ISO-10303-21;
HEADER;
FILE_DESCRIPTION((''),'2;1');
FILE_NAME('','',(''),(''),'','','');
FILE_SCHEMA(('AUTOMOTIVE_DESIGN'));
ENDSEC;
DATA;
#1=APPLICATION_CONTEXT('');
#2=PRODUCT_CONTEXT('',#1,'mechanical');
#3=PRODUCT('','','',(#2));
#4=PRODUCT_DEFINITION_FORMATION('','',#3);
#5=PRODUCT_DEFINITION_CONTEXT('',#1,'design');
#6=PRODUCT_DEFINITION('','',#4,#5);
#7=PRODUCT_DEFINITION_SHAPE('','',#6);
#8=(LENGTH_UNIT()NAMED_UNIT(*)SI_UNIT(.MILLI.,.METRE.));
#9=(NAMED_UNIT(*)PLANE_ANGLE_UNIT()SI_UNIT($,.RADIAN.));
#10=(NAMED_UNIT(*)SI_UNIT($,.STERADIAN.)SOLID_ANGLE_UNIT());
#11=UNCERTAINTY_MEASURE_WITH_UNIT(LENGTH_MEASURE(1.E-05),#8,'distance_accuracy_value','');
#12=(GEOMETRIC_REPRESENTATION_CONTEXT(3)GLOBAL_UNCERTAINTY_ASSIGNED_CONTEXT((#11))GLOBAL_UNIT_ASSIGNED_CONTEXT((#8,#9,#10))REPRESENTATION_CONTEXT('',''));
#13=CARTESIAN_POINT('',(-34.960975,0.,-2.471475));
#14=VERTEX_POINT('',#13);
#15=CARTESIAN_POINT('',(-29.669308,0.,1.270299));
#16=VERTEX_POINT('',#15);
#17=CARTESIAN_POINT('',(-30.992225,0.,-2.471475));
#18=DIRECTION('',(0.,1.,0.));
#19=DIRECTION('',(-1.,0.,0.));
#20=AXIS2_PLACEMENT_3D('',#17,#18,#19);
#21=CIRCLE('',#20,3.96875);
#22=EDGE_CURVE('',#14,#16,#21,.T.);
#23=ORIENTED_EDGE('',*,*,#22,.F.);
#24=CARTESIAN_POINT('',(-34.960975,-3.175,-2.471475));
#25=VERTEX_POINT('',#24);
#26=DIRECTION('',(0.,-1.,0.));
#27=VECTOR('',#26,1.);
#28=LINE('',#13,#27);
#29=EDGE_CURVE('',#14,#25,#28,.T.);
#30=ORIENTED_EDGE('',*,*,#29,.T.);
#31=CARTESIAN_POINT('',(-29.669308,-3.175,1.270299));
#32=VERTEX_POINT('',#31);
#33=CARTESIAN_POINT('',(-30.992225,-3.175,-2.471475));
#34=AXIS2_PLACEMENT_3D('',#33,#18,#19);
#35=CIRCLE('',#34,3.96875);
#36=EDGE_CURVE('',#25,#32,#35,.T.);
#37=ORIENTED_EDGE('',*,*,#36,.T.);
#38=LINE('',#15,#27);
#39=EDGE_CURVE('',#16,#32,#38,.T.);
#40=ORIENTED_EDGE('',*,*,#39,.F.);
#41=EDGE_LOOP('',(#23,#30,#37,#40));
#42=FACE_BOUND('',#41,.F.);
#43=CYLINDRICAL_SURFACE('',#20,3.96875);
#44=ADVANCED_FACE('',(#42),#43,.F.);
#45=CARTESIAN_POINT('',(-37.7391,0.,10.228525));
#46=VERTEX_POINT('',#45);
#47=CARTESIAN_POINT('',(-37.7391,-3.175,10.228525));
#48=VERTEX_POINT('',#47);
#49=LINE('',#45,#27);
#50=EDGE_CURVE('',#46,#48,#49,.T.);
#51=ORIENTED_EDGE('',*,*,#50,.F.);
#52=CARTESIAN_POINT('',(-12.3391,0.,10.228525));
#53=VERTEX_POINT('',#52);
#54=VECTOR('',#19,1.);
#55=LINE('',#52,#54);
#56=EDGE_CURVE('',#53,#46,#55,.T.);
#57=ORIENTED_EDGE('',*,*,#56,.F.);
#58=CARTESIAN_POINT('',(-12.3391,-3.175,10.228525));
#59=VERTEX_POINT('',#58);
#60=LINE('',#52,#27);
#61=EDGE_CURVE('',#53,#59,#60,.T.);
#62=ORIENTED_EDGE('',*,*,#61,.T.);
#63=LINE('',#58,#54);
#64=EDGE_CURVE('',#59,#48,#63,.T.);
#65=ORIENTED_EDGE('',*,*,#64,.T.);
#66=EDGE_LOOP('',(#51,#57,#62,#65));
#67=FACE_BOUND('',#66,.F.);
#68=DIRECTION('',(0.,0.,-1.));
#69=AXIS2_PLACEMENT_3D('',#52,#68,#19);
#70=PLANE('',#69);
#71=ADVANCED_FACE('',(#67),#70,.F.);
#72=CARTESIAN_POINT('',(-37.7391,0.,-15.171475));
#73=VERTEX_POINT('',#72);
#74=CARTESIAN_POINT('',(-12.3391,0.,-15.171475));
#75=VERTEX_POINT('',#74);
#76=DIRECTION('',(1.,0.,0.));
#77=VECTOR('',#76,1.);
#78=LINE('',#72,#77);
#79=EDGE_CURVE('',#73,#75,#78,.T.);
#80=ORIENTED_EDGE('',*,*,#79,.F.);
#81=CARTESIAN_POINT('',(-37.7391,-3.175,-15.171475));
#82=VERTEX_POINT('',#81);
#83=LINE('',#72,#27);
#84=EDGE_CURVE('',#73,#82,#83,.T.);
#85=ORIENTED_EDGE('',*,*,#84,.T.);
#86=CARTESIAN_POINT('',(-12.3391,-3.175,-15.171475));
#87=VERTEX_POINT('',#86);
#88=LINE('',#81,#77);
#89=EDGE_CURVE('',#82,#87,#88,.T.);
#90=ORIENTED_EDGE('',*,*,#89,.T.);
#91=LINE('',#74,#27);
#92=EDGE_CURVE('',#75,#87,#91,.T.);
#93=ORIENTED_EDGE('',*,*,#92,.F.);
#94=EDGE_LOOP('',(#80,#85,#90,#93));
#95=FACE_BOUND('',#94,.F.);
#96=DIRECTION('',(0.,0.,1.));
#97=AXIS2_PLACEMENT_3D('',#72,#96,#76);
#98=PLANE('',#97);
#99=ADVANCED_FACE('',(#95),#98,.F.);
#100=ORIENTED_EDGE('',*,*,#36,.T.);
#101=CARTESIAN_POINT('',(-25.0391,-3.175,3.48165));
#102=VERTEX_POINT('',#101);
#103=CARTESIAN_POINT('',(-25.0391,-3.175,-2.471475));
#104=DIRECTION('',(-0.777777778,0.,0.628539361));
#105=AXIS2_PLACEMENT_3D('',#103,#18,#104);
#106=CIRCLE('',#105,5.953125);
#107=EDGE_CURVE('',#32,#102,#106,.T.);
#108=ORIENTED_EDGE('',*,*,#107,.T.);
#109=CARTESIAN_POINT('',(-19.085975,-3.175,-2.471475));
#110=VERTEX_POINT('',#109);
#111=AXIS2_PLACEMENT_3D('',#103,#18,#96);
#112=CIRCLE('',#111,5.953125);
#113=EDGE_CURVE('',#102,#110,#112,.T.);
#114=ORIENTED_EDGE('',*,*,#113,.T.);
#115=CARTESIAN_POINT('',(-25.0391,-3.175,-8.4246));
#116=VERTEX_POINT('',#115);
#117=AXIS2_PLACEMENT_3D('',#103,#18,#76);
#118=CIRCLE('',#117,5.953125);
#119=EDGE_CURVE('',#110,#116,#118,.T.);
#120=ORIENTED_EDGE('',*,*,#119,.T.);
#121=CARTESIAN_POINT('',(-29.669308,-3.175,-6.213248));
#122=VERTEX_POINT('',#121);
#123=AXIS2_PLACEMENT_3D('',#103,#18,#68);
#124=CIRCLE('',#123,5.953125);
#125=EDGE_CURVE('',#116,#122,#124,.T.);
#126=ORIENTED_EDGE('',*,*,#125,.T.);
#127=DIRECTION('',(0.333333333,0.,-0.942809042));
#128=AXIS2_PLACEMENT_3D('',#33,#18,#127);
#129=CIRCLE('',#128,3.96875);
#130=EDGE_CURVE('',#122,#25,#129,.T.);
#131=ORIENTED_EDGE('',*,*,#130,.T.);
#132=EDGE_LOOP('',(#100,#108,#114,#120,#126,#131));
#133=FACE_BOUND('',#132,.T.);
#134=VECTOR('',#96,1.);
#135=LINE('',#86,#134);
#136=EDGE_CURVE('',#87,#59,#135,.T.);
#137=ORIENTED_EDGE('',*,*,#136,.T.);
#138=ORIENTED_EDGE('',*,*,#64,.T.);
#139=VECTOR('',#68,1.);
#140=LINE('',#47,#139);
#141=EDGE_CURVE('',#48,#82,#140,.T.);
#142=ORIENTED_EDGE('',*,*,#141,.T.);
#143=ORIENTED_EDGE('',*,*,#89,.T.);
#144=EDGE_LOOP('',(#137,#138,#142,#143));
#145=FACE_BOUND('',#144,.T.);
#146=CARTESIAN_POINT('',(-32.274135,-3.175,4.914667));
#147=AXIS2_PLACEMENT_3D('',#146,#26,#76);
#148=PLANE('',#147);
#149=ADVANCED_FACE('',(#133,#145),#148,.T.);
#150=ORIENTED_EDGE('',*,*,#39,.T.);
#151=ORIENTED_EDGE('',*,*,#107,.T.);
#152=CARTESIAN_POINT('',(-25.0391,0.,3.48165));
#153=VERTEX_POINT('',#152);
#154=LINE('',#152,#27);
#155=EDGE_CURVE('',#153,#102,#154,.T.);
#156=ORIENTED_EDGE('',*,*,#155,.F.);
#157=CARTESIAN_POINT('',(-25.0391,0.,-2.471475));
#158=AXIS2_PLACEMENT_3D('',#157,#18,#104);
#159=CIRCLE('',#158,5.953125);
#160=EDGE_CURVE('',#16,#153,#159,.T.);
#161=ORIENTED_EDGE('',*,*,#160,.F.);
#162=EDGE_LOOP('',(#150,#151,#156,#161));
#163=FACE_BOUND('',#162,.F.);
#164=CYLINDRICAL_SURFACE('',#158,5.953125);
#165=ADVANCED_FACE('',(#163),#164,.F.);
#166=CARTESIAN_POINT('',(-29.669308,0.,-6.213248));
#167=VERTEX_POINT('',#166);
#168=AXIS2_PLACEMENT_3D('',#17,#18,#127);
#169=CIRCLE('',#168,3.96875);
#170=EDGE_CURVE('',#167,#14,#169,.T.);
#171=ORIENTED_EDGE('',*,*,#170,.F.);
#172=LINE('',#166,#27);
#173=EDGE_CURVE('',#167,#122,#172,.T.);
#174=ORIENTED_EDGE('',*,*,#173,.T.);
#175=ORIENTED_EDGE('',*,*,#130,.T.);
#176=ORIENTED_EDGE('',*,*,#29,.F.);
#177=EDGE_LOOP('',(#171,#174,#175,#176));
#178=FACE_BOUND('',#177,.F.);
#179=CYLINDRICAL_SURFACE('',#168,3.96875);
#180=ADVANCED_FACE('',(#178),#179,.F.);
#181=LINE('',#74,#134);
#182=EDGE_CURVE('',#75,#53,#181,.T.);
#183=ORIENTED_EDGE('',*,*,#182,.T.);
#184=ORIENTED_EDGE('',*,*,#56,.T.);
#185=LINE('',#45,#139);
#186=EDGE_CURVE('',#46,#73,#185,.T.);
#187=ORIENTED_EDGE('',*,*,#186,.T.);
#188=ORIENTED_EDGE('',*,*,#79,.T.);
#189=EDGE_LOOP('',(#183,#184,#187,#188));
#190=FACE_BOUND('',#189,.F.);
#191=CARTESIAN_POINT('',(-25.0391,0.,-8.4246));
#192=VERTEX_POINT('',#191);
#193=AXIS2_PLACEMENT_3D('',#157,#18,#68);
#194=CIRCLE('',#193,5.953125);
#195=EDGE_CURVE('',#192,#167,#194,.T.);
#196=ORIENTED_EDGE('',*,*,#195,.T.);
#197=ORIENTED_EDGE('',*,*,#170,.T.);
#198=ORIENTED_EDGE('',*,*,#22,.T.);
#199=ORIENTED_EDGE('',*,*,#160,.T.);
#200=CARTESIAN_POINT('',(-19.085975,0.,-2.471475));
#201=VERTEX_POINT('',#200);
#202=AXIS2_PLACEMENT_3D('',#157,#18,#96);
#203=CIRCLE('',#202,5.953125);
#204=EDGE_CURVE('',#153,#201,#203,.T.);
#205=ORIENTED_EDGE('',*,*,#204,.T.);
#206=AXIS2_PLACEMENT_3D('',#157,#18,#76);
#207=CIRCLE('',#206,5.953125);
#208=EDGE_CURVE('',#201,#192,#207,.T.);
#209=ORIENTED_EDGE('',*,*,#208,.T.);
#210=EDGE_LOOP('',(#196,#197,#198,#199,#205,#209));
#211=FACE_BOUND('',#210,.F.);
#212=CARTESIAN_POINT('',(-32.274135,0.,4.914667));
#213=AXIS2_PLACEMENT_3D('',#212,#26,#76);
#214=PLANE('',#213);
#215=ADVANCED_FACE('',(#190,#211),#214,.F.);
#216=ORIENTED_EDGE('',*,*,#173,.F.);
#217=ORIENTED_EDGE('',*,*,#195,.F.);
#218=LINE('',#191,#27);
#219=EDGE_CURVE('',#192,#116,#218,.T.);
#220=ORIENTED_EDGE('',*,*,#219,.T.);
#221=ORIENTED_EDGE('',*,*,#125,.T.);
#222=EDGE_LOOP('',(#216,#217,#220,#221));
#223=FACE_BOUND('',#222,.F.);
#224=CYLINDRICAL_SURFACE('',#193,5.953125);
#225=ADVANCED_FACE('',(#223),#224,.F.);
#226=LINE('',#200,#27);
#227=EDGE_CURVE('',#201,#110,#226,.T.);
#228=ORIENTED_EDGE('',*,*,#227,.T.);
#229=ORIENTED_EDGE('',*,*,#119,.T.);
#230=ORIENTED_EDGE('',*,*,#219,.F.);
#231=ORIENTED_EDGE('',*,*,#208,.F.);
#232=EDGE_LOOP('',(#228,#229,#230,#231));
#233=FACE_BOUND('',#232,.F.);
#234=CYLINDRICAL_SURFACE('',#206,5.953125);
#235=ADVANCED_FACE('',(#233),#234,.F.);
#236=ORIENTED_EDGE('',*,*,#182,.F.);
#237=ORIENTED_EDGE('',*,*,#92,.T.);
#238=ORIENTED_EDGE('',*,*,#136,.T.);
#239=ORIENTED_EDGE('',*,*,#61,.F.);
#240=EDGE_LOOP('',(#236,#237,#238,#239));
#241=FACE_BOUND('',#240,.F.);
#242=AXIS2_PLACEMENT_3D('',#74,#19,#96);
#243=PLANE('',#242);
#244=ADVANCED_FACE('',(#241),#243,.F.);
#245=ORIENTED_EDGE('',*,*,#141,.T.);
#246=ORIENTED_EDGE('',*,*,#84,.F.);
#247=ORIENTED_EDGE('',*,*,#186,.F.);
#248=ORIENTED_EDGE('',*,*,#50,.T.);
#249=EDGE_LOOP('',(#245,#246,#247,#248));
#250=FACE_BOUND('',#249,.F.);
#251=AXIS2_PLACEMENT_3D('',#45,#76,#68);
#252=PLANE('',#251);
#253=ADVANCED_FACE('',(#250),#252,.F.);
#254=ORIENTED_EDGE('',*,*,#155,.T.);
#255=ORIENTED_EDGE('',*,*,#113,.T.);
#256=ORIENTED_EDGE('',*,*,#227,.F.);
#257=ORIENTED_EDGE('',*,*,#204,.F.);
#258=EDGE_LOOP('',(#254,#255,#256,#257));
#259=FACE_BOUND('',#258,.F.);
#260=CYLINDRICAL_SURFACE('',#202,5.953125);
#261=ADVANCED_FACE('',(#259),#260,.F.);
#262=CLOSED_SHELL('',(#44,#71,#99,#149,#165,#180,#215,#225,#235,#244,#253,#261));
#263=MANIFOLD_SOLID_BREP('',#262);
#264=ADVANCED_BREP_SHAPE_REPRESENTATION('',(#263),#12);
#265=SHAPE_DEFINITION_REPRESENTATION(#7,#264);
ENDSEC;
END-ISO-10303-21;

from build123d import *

# Parameters (mm, degrees)
F1_DEPTH = 3.175


with BuildPart() as f1:
    # F0 (on Front) → F1 (new body)
    with BuildSketch(Plane.XZ):
        with BuildLine():
            Line((-25.0390999136, 10.2285252111), (-37.7390999136, 10.2285252111))
            Line((-37.7390999136, 10.2285252111), (-37.7390999136, -2.4714747889))
            Line((-37.7390999136, -2.4714747889), (-34.9609749136, -2.4714747889))
            ThreePointArc((-34.9609749136, -2.4714747889), (-33.2835837944, 0.7689960166), (-29.6693082469, 1.2702985949))
            ThreePointArc((-29.6693082469, 1.2702985949), (-27.6046848946, 2.90044023), (-25.0390999136, 3.4816502111))
            Line((-25.0390999136, 3.4816502111), (-25.0390999136, 10.2285252111))
        make_face()
        with BuildLine():
            Line((-12.3390999136, 10.2285252111), (-25.0390999136, 10.2285252111))
            Line((-25.0390999136, 10.2285252111), (-25.0390999136, 3.4816502111))
            ThreePointArc((-25.0390999136, 3.4816502111), (-20.8296048568, 1.7380202678), (-19.0859749136, -2.4714747889))
            Line((-19.0859749136, -2.4714747889), (-12.3390999136, -2.4714747889))
            Line((-12.3390999136, -2.4714747889), (-12.3390999136, 10.2285252111))
        make_face()
        with BuildLine():
            Line((-12.3390999136, -15.1714747889), (-12.3390999136, -2.4714747889))
            Line((-12.3390999136, -2.4714747889), (-19.0859749136, -2.4714747889))
            ThreePointArc((-19.0859749136, -2.4714747889), (-20.8296048568, -6.6809698457), (-25.0390999136, -8.4245997889))
            Line((-25.0390999136, -8.4245997889), (-25.0390999136, -15.1714747889))
            Line((-25.0390999136, -15.1714747889), (-12.3390999136, -15.1714747889))
        make_face()
        with BuildLine():
            Line((-34.9609749136, -2.4714747889), (-37.7390999136, -2.4714747889))
            Line((-37.7390999136, -2.4714747889), (-37.7390999136, -15.1714747889))
            Line((-37.7390999136, -15.1714747889), (-25.0390999136, -15.1714747889))
            Line((-25.0390999136, -15.1714747889), (-25.0390999136, -8.4245997889))
            ThreePointArc((-25.0390999136, -8.4245997889), (-27.6046848946, -7.8433898078), (-29.6693082469, -6.2132481727))
            ThreePointArc((-29.6693082469, -6.2132481727), (-33.2835837944, -5.7119455945), (-34.9609749136, -2.4714747889))
        make_face()
    extrude(amount=F1_DEPTH)


solid = f1.part
